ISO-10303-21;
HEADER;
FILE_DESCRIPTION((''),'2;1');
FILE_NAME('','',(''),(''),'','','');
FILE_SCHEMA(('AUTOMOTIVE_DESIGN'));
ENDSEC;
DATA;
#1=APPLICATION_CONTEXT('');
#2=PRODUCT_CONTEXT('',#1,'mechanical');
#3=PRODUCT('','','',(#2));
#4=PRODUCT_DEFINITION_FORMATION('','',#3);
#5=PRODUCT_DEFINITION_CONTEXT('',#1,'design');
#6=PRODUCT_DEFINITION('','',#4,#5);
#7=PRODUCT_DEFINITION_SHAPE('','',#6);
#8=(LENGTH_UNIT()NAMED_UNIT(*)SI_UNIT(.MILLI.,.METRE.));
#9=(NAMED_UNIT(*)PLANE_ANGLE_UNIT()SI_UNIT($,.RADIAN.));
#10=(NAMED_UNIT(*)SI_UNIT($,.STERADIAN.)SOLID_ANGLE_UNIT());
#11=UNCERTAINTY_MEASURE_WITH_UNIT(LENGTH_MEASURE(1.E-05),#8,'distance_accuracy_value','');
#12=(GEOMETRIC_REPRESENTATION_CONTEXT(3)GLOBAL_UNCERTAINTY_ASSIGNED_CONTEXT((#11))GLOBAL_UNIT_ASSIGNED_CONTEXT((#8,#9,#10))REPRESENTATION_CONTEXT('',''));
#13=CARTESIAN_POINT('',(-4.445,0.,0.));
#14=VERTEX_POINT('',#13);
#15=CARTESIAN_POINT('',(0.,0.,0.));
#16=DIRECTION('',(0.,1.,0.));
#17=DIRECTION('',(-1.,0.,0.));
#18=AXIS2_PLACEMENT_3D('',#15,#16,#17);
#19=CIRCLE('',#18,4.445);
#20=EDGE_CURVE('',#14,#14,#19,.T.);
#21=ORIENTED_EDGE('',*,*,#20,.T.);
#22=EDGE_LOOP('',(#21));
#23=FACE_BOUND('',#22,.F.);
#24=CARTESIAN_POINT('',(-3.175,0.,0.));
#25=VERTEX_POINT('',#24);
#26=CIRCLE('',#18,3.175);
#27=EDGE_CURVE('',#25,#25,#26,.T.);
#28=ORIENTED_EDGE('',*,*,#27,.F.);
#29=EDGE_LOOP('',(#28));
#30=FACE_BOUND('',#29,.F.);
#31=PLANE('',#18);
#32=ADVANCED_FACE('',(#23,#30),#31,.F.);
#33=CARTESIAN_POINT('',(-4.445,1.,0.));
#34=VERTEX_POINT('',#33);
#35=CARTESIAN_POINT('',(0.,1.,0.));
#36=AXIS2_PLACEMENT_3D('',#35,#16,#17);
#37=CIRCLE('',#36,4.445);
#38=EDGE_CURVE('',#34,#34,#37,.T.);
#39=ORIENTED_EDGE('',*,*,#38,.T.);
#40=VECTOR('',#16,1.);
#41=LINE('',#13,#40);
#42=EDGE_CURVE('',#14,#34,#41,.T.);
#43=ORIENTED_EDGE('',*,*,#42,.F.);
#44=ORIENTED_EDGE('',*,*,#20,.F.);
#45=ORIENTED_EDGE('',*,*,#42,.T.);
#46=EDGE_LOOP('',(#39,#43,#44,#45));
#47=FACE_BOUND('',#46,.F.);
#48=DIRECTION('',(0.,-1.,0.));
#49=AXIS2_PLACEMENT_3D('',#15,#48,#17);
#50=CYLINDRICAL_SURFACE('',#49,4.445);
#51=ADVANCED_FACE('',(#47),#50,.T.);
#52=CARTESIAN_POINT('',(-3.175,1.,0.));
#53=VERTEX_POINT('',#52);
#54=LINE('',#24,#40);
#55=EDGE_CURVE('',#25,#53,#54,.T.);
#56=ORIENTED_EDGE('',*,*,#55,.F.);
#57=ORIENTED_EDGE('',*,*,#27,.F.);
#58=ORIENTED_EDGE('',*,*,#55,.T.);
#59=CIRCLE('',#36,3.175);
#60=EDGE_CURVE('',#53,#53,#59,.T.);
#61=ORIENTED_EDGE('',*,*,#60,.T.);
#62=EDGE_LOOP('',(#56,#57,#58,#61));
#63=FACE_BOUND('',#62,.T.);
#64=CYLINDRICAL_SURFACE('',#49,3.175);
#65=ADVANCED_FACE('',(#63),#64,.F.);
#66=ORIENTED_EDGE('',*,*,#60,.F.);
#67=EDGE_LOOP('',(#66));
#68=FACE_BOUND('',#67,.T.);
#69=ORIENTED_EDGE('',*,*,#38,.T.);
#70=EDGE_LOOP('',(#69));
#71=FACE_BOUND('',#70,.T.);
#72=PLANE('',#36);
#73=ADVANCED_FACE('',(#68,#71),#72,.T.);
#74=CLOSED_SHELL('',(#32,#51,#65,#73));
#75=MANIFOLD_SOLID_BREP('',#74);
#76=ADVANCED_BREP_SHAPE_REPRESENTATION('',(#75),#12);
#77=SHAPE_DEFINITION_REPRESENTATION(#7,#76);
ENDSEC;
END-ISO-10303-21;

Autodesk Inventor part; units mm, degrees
ref_plane "YZ Plane" through (0, 0, 0) normal (1, 0, 0) x (0, 1, 0)
ref_plane "XZ Plane" through (0, 0, 0) normal (0, 1, 0) x (-1, 0, 0)
ref_plane "XY Plane" through (0, 0, 0) normal (0, 0, 1) x (1, 0, 0)
sketch "Boceto1" plane through (0, 0, 0) normal (0, 1, 0) x (-1, 0, 0)
  circle A0 centre (0, 0) radius 3.175
  circle A1 centre (0, 0) radius 4.445
  dimension "d0" = 6.35
  dimension "d1" = 8.89
extrude "Extrusión1" add sketch "Boceto1" along normal blind 1
properties part number "ArandelaDeCaucho"
